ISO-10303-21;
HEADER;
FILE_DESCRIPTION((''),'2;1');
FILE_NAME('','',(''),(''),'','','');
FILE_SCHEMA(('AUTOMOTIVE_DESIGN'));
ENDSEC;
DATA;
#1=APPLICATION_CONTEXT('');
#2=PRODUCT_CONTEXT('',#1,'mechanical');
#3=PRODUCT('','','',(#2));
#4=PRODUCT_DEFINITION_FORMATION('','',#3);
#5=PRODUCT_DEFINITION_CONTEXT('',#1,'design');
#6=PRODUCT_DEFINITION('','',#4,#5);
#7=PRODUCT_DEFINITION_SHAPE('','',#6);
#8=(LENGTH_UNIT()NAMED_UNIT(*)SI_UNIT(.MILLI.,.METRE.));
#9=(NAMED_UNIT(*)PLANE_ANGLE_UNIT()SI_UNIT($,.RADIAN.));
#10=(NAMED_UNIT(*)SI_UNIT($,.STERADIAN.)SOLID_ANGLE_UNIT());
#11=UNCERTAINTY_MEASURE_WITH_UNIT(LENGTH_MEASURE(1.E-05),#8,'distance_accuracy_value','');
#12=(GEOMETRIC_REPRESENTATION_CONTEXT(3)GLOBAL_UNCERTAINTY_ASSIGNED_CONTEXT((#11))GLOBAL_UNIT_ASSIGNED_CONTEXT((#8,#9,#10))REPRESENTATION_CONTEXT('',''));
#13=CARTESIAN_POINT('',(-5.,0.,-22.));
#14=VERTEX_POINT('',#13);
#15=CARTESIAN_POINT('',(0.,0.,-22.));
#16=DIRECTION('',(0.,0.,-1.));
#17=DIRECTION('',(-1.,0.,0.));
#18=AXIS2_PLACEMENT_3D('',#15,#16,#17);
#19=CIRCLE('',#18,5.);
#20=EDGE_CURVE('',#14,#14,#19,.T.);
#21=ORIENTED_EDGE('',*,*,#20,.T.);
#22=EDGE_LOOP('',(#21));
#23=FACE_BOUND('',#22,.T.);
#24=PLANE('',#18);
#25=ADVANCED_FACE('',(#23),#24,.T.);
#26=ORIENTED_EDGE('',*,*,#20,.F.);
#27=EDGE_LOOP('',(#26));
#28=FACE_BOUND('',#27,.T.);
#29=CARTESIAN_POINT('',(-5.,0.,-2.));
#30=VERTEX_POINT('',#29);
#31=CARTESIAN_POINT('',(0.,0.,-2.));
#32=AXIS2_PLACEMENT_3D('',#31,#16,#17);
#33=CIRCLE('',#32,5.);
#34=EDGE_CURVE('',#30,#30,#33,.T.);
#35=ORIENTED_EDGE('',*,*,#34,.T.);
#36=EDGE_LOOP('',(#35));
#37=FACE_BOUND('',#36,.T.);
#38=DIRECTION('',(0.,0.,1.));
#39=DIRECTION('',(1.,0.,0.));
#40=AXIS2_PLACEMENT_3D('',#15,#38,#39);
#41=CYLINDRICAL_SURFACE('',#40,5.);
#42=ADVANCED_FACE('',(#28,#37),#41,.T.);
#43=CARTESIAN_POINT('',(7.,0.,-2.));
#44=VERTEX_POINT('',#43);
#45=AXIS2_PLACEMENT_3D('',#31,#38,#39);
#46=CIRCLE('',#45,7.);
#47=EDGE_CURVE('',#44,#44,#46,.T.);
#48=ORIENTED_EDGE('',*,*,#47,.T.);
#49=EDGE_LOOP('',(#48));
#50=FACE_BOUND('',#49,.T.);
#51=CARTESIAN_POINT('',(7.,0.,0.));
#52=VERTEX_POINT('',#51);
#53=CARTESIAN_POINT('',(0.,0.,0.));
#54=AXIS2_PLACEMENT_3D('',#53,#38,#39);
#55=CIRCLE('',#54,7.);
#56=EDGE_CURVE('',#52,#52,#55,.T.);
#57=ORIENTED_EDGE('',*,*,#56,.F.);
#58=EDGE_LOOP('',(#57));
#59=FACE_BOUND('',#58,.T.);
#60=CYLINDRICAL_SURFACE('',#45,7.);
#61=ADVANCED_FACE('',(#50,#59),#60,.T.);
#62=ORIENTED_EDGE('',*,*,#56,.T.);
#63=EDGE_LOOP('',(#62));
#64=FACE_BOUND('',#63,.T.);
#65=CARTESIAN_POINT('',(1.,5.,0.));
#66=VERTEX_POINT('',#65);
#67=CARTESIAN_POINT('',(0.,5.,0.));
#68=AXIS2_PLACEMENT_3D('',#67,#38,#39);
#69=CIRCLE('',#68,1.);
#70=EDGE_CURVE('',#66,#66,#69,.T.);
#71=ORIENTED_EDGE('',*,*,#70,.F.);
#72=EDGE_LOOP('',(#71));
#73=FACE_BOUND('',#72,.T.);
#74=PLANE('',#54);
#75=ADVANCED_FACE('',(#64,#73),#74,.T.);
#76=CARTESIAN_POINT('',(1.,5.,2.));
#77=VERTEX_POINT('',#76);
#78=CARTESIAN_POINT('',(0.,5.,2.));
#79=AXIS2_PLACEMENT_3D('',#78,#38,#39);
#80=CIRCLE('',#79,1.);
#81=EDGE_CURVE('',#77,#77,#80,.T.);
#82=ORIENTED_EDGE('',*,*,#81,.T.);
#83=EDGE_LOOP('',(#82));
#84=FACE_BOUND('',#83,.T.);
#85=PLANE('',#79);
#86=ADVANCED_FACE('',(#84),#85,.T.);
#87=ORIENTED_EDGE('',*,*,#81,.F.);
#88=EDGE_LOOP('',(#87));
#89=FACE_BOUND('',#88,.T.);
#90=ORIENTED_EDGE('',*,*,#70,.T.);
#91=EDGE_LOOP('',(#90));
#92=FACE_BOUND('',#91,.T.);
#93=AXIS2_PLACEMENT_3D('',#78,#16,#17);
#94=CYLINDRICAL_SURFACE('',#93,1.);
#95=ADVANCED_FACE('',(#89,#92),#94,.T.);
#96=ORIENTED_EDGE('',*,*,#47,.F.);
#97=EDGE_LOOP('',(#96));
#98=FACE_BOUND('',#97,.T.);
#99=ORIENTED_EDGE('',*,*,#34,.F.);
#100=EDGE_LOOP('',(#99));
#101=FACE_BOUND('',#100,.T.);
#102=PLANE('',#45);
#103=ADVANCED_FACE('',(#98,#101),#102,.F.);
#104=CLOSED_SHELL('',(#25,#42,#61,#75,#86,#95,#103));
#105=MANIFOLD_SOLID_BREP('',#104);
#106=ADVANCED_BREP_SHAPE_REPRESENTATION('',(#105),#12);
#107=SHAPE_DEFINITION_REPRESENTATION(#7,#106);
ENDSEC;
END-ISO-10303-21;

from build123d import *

# Parameters (mm, degrees)
SKETCH1_R           = 7
BOSS_EXTRUDE1_DEPTH = 2
SKETCH2_R           = 1
BOSS_EXTRUDE2_DEPTH = 2
SKETCH3_R           = 5
BOSS_EXTRUDE3_DEPTH = 20


with BuildPart() as part:
    # Sketch1 → Boss-Extrude1 (new body)
    with BuildSketch(Plane.XY):
        Circle(SKETCH1_R)
    extrude(amount=-BOSS_EXTRUDE1_DEPTH)

    # Sketch2 → Boss-Extrude2 (add)
    with BuildSketch(Plane.XY):
        with Locations((0, 5)):
            Circle(SKETCH2_R)
    extrude(amount=BOSS_EXTRUDE2_DEPTH)

    # Sketch3 → Boss-Extrude3 (add)
    with BuildSketch(Plane(origin=(0, 0, -2), x_dir=(-1, 0, 0), z_dir=(0, 0, -1))):
        Circle(SKETCH3_R)
    extrude(amount=BOSS_EXTRUDE3_DEPTH)


solid = part.part
